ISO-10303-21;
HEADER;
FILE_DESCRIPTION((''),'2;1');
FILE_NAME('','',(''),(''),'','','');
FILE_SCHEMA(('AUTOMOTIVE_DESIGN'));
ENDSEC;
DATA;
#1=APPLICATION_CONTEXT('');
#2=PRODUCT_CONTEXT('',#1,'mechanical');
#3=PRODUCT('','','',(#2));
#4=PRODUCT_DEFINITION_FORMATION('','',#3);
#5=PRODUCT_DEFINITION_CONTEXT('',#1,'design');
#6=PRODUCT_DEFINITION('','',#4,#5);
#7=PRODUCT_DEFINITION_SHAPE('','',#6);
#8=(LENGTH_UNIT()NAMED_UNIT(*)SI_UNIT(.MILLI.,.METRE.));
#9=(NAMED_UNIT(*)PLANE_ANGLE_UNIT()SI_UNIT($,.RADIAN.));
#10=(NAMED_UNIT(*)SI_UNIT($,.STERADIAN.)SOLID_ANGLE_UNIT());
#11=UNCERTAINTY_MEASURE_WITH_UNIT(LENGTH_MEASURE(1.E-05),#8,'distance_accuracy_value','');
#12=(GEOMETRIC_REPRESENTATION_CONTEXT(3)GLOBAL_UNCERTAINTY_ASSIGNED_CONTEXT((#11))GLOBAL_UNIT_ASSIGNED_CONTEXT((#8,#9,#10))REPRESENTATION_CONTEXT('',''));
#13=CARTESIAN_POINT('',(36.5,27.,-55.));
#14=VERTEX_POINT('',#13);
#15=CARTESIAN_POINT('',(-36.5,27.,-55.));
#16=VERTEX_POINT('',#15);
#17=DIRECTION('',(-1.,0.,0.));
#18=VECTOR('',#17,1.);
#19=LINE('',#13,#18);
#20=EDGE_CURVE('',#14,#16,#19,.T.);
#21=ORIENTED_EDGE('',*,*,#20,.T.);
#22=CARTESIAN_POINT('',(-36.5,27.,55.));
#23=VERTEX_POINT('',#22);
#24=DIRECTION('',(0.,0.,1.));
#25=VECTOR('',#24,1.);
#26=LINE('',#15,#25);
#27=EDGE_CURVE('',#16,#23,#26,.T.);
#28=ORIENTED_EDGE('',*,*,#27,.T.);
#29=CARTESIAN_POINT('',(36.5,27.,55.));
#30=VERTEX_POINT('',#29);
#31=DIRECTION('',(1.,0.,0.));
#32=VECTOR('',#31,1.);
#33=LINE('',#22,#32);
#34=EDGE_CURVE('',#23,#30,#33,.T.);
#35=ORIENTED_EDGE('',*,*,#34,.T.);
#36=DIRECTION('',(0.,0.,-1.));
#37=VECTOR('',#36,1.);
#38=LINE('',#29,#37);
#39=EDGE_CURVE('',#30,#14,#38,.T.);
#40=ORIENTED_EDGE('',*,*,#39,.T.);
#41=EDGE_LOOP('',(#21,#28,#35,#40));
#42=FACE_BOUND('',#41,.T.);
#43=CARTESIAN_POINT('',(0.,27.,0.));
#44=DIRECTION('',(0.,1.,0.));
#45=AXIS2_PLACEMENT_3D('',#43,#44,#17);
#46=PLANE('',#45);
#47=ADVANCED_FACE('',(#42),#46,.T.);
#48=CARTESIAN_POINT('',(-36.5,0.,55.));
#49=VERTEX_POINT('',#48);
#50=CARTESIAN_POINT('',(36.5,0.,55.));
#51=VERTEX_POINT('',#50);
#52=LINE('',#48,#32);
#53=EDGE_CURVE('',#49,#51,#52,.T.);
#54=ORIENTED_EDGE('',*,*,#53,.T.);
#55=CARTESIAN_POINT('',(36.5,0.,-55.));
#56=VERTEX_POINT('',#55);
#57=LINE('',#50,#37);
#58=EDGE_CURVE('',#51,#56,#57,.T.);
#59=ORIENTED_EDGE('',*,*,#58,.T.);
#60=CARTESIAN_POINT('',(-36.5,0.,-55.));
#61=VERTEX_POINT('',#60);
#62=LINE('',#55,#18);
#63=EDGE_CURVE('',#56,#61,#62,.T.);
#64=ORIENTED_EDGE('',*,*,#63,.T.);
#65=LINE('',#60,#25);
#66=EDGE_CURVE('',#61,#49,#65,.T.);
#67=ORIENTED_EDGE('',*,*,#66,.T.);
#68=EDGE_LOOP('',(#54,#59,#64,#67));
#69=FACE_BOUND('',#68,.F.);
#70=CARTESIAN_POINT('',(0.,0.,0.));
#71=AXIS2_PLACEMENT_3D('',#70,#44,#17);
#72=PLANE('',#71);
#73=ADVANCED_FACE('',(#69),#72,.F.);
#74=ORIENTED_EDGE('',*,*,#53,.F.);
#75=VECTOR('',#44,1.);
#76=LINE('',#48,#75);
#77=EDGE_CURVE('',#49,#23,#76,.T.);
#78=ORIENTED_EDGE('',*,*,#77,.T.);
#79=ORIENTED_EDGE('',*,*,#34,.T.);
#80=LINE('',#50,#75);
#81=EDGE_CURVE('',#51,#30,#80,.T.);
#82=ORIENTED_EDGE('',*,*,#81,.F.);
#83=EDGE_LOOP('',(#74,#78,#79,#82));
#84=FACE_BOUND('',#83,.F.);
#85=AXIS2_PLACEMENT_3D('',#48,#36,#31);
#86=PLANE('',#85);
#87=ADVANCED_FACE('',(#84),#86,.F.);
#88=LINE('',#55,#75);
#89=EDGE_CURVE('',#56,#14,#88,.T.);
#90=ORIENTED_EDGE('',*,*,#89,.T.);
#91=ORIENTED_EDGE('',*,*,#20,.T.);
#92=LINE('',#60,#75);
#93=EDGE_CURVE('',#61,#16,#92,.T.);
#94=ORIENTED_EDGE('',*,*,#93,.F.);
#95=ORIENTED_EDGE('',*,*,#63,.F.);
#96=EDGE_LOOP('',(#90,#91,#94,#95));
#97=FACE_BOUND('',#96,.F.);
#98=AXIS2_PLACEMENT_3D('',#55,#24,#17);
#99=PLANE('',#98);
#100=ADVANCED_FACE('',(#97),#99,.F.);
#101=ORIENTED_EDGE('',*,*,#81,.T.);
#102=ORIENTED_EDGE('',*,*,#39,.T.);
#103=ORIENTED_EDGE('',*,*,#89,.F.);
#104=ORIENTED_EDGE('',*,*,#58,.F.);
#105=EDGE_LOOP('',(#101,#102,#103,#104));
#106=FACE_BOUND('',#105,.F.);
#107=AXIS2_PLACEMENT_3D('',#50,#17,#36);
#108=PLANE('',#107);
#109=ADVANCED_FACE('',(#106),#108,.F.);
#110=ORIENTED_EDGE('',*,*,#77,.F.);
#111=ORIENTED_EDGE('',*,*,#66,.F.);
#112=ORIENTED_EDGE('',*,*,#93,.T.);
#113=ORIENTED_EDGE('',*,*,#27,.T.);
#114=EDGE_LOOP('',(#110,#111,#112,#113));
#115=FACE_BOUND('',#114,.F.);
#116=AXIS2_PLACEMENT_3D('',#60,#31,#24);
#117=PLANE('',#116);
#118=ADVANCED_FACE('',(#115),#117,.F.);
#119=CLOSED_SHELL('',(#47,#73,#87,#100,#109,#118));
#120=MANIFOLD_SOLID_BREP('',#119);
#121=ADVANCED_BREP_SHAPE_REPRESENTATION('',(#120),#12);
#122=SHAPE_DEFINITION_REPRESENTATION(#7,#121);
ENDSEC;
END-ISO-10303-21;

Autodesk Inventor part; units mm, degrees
ref_plane "YZ Plane" through (0, 0, 0) normal (1, 0, 0) x (0, 1, 0)
ref_plane "XZ Plane" through (0, 0, 0) normal (0, 1, 0) x (-1, 0, 0)
ref_plane "XY Plane" through (0, 0, 0) normal (0, 0, 1) x (1, 0, 0)
sketch "Sketch1" plane through (0, 0, 0) normal (0, 1, 0) x (-1, 0, 0)
  line L0 (36.5, 55) -> (-36.5, 55)
  line L1 (-36.5, 55) -> (-36.5, -55)
  line L2 (-36.5, -55) -> (36.5, -55)
  line L3 (36.5, -55) -> (36.5, 55)
  point P0 (0, 0)
  point P1 (36.5, 0)
  point P2 (0, -55)
  dimension "d0" = 110
  dimension "d1" = 73
extrude "Extrusion1" add sketch "Sketch1" along normal blind 27
properties part number "BLANK-BC-10022" material "Aço Carbono"
